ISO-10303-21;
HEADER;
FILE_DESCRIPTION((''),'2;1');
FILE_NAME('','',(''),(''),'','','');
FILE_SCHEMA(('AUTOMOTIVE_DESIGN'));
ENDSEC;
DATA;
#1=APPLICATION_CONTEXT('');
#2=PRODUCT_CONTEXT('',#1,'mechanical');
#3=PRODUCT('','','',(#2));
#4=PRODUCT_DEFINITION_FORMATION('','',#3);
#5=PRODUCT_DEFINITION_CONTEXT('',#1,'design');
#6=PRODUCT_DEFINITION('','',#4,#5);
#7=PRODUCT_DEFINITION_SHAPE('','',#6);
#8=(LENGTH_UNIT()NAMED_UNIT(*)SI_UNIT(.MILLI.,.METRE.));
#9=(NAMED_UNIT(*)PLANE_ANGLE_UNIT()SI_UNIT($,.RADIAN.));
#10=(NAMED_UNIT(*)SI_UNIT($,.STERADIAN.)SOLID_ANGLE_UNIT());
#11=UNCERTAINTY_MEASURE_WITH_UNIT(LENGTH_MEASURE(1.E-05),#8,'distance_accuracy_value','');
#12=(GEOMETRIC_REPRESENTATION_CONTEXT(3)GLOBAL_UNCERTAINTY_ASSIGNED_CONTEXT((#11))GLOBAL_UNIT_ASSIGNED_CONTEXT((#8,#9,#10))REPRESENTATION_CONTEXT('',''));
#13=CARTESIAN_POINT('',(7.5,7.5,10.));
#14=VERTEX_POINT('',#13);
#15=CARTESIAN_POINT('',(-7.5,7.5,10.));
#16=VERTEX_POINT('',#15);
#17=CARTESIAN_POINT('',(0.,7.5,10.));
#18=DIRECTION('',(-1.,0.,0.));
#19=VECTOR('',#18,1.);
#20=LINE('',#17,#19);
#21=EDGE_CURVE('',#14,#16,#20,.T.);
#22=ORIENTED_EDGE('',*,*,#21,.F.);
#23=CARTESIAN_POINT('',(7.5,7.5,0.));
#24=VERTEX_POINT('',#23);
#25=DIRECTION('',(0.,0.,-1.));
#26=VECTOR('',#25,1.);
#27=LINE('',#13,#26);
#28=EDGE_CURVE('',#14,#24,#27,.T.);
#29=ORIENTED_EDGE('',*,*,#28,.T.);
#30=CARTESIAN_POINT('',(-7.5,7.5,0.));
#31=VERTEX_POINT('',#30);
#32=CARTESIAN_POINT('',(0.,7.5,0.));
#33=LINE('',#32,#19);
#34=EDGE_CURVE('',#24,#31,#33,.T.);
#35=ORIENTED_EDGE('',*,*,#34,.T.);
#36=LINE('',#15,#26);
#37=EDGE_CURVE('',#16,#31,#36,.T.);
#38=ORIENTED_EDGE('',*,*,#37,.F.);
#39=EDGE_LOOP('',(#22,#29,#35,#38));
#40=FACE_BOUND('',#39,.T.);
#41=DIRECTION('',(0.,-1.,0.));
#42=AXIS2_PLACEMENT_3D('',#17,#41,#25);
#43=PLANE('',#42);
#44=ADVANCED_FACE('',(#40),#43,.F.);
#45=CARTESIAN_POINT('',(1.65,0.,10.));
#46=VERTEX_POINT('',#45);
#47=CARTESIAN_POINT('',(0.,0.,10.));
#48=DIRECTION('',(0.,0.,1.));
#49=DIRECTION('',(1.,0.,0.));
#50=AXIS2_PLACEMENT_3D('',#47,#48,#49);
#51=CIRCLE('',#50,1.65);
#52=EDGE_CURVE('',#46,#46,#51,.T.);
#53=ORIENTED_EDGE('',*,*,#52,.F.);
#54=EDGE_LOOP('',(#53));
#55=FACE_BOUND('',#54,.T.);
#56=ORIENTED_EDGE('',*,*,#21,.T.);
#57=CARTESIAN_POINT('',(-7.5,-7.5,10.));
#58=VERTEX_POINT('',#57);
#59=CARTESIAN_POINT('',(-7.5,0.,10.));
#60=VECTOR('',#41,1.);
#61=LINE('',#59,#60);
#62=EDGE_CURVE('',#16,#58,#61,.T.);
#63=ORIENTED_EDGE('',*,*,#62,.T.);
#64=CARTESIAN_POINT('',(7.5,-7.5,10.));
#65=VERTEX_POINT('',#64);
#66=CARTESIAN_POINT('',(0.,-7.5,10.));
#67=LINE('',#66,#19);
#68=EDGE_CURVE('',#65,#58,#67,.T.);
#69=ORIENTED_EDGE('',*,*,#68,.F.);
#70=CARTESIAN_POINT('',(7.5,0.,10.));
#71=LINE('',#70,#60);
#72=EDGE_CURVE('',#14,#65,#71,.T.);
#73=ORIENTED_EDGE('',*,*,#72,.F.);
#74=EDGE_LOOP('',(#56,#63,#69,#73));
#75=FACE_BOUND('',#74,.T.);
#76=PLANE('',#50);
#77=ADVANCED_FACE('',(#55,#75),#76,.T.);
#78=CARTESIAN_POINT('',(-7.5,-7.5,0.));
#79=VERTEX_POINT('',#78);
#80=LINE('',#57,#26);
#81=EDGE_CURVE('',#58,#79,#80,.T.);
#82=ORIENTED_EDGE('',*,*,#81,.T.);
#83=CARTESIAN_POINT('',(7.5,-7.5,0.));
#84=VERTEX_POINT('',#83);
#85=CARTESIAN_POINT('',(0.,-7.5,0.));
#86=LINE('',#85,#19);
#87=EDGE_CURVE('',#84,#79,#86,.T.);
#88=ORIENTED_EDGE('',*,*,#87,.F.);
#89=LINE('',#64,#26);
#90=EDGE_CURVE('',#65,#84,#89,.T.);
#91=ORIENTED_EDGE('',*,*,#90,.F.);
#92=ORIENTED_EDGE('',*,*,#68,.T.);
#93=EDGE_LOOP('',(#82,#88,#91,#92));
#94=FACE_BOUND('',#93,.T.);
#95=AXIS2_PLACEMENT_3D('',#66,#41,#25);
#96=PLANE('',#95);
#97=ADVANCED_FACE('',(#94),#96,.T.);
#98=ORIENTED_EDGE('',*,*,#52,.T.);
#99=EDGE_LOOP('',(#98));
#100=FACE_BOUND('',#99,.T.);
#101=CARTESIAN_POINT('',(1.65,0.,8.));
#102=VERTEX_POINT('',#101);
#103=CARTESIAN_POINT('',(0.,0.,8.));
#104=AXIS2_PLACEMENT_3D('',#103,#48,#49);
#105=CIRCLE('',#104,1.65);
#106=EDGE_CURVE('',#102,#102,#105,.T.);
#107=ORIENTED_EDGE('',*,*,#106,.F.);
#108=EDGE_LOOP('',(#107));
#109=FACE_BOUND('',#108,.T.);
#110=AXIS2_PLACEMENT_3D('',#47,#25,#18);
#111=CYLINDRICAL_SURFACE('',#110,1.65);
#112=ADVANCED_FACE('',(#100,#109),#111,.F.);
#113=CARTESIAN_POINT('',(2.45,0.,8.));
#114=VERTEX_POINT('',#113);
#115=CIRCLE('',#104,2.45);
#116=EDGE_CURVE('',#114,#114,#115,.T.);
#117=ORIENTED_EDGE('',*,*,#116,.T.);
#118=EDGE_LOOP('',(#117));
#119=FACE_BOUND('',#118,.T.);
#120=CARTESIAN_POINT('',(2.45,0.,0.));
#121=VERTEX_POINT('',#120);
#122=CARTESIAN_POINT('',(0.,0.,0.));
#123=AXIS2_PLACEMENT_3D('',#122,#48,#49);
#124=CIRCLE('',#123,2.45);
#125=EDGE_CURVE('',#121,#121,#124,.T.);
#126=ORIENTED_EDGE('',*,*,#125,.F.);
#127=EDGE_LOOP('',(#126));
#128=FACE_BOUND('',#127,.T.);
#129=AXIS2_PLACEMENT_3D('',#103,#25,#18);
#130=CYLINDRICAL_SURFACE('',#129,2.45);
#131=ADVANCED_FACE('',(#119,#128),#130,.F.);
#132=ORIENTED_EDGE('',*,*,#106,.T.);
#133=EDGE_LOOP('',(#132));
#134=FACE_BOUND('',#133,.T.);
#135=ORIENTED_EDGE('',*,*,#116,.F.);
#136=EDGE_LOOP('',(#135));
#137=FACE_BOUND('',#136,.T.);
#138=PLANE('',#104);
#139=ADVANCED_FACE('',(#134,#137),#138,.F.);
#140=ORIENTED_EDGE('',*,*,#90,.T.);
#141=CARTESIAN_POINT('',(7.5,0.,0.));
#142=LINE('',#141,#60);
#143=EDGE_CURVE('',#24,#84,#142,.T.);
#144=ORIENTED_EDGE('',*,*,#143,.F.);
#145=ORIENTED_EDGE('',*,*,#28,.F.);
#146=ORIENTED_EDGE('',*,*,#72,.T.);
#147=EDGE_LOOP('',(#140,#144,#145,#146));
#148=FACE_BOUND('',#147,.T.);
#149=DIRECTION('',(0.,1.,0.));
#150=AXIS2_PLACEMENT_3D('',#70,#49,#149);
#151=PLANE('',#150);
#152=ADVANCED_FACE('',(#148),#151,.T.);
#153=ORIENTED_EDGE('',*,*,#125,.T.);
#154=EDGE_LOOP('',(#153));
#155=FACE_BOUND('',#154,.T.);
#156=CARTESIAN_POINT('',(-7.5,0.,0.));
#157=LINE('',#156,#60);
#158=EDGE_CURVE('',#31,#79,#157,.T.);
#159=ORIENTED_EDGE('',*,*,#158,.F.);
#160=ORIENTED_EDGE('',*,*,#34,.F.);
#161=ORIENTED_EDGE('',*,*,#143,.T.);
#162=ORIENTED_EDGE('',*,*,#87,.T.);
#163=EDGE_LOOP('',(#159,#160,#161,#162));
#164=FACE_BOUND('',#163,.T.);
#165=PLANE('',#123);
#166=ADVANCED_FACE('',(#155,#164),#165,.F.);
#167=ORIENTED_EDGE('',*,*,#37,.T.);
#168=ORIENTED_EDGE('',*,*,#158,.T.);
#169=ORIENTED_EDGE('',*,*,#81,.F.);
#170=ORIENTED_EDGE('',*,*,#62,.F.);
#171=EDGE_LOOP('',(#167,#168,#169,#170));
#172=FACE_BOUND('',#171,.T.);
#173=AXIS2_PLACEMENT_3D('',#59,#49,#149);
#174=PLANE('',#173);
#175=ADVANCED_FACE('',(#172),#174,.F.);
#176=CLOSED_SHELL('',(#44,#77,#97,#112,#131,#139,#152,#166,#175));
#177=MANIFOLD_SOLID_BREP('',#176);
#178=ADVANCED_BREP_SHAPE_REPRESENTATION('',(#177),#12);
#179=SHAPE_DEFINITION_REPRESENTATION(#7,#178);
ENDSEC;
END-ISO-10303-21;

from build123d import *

# Parameters (mm, degrees)
SKETCH1_W           = 15
SKETCH1_H           = 15
SKETCH1_R           = 1.65
BOSS_EXTRUDE4_DEPTH = 10
SKETCH1_9_R         = 2.45
SKETCH1_9_R_2       = 1.65
CUT_EXTRUDE3_DEPTH  = 8


with BuildPart() as part:
    # Sketch1 → Boss-Extrude4 (new body)
    with BuildSketch(Plane.XY):
        Rectangle(SKETCH1_W, SKETCH1_H)
        Circle(SKETCH1_R, mode=Mode.SUBTRACT)
    extrude(amount=BOSS_EXTRUDE4_DEPTH)

    # Sketch1<9> → Cut-Extrude3 (cut)
    with BuildSketch(Plane.XY):
        Circle(SKETCH1_9_R)
        Circle(SKETCH1_9_R_2, mode=Mode.SUBTRACT)
    extrude(amount=CUT_EXTRUDE3_DEPTH, mode=Mode.SUBTRACT)


solid = part.part
